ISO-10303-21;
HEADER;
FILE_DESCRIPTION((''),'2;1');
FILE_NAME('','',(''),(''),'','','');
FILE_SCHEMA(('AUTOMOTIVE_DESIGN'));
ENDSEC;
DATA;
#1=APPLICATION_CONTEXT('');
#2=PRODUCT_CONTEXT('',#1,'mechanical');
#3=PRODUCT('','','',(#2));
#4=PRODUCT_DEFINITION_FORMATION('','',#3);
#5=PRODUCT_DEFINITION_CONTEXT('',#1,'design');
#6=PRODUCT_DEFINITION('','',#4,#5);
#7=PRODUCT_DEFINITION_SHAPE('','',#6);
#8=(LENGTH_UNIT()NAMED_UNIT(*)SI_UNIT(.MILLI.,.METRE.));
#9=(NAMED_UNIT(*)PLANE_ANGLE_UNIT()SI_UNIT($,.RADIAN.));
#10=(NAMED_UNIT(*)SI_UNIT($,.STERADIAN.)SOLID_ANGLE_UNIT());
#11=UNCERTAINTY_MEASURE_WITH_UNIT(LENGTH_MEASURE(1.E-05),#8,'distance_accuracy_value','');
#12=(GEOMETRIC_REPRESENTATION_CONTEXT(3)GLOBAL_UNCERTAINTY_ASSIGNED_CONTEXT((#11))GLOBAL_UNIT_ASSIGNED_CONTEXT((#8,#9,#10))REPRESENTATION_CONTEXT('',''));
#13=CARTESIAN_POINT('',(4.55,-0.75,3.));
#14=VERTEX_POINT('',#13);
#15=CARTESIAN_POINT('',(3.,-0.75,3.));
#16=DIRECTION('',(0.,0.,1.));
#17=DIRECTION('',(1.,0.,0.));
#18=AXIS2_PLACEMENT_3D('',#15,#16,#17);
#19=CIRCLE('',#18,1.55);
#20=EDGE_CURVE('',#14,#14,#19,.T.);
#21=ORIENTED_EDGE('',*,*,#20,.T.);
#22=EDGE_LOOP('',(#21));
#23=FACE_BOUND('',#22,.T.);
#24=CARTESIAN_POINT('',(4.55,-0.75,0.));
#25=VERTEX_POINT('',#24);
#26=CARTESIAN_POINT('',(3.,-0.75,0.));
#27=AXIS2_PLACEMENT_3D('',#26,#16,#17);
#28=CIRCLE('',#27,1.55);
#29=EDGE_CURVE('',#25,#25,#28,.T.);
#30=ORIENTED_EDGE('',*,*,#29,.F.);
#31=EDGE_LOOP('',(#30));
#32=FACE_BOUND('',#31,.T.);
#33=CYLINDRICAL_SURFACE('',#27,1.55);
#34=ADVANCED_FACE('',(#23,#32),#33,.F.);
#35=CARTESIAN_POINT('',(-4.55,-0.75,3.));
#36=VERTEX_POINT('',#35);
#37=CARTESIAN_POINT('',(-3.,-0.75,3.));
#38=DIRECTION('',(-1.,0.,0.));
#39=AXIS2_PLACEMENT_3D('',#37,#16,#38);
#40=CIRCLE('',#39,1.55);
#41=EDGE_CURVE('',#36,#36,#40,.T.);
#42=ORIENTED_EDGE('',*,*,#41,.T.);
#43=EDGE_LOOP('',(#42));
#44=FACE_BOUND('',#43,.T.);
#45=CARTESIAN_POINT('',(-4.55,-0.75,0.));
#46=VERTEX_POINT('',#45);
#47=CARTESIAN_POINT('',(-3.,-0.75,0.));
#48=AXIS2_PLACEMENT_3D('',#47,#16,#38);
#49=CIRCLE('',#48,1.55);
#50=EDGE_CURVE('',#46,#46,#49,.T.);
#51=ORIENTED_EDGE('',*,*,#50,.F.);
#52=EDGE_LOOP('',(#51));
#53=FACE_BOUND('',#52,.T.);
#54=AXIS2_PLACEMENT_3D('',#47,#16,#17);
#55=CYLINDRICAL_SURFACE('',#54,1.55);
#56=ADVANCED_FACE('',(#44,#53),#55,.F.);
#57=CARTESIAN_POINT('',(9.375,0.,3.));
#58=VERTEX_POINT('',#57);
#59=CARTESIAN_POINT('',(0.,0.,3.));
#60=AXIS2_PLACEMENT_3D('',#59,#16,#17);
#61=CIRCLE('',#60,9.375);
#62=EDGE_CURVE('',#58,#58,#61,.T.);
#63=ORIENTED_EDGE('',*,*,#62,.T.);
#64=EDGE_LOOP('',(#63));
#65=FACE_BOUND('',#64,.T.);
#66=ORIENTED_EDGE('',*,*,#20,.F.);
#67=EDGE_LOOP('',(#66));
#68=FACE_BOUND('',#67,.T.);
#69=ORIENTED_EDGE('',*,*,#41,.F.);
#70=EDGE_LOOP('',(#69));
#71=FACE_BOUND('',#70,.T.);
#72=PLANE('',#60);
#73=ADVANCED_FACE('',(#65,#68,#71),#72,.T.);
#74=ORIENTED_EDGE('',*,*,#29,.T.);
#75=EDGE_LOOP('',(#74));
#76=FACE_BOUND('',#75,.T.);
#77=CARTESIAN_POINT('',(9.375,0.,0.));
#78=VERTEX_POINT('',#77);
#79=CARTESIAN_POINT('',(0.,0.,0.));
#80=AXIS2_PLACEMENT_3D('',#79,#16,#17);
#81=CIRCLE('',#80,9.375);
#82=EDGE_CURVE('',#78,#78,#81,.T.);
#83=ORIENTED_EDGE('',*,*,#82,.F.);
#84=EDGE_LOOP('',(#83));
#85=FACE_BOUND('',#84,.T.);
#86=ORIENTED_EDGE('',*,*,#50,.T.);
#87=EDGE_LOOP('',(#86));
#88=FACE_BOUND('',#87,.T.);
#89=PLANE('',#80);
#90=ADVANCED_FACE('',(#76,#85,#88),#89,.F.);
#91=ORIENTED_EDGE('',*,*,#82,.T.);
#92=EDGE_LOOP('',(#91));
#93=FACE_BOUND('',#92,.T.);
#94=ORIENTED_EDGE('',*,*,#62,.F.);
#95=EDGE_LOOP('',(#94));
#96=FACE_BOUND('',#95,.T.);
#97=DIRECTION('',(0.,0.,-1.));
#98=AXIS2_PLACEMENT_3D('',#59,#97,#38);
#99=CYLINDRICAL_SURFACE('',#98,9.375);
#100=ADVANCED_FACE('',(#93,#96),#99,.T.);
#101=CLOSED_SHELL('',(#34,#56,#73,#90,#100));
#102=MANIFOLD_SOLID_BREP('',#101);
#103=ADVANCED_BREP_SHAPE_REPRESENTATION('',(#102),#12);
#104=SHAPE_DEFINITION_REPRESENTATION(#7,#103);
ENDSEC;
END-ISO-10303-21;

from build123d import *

# Parameters (mm, degrees)
SKETCH1_R           = 9.375
BOSS_EXTRUDE1_DEPTH = 3
SKETCH2_R           = 1.55
CUT_EXTRUDE1_DEPTH  = 14.59342672


with BuildPart() as part:
    # Sketch1 → Boss-Extrude1 (new body)
    with BuildSketch(Plane.XY):
        Circle(SKETCH1_R)
    extrude(amount=BOSS_EXTRUDE1_DEPTH)

    # Sketch2 → Cut-Extrude1 (cut, through all)
    with BuildSketch(Plane.XY.offset(3)):
        with Locations((3, -0.75)):
            Circle(SKETCH2_R)
        with Locations(Location((-3, -0.75, 0), (0, 0, 180))):
            Circle(SKETCH2_R)
    extrude(amount=-CUT_EXTRUDE1_DEPTH, mode=Mode.SUBTRACT)


solid = part.part
